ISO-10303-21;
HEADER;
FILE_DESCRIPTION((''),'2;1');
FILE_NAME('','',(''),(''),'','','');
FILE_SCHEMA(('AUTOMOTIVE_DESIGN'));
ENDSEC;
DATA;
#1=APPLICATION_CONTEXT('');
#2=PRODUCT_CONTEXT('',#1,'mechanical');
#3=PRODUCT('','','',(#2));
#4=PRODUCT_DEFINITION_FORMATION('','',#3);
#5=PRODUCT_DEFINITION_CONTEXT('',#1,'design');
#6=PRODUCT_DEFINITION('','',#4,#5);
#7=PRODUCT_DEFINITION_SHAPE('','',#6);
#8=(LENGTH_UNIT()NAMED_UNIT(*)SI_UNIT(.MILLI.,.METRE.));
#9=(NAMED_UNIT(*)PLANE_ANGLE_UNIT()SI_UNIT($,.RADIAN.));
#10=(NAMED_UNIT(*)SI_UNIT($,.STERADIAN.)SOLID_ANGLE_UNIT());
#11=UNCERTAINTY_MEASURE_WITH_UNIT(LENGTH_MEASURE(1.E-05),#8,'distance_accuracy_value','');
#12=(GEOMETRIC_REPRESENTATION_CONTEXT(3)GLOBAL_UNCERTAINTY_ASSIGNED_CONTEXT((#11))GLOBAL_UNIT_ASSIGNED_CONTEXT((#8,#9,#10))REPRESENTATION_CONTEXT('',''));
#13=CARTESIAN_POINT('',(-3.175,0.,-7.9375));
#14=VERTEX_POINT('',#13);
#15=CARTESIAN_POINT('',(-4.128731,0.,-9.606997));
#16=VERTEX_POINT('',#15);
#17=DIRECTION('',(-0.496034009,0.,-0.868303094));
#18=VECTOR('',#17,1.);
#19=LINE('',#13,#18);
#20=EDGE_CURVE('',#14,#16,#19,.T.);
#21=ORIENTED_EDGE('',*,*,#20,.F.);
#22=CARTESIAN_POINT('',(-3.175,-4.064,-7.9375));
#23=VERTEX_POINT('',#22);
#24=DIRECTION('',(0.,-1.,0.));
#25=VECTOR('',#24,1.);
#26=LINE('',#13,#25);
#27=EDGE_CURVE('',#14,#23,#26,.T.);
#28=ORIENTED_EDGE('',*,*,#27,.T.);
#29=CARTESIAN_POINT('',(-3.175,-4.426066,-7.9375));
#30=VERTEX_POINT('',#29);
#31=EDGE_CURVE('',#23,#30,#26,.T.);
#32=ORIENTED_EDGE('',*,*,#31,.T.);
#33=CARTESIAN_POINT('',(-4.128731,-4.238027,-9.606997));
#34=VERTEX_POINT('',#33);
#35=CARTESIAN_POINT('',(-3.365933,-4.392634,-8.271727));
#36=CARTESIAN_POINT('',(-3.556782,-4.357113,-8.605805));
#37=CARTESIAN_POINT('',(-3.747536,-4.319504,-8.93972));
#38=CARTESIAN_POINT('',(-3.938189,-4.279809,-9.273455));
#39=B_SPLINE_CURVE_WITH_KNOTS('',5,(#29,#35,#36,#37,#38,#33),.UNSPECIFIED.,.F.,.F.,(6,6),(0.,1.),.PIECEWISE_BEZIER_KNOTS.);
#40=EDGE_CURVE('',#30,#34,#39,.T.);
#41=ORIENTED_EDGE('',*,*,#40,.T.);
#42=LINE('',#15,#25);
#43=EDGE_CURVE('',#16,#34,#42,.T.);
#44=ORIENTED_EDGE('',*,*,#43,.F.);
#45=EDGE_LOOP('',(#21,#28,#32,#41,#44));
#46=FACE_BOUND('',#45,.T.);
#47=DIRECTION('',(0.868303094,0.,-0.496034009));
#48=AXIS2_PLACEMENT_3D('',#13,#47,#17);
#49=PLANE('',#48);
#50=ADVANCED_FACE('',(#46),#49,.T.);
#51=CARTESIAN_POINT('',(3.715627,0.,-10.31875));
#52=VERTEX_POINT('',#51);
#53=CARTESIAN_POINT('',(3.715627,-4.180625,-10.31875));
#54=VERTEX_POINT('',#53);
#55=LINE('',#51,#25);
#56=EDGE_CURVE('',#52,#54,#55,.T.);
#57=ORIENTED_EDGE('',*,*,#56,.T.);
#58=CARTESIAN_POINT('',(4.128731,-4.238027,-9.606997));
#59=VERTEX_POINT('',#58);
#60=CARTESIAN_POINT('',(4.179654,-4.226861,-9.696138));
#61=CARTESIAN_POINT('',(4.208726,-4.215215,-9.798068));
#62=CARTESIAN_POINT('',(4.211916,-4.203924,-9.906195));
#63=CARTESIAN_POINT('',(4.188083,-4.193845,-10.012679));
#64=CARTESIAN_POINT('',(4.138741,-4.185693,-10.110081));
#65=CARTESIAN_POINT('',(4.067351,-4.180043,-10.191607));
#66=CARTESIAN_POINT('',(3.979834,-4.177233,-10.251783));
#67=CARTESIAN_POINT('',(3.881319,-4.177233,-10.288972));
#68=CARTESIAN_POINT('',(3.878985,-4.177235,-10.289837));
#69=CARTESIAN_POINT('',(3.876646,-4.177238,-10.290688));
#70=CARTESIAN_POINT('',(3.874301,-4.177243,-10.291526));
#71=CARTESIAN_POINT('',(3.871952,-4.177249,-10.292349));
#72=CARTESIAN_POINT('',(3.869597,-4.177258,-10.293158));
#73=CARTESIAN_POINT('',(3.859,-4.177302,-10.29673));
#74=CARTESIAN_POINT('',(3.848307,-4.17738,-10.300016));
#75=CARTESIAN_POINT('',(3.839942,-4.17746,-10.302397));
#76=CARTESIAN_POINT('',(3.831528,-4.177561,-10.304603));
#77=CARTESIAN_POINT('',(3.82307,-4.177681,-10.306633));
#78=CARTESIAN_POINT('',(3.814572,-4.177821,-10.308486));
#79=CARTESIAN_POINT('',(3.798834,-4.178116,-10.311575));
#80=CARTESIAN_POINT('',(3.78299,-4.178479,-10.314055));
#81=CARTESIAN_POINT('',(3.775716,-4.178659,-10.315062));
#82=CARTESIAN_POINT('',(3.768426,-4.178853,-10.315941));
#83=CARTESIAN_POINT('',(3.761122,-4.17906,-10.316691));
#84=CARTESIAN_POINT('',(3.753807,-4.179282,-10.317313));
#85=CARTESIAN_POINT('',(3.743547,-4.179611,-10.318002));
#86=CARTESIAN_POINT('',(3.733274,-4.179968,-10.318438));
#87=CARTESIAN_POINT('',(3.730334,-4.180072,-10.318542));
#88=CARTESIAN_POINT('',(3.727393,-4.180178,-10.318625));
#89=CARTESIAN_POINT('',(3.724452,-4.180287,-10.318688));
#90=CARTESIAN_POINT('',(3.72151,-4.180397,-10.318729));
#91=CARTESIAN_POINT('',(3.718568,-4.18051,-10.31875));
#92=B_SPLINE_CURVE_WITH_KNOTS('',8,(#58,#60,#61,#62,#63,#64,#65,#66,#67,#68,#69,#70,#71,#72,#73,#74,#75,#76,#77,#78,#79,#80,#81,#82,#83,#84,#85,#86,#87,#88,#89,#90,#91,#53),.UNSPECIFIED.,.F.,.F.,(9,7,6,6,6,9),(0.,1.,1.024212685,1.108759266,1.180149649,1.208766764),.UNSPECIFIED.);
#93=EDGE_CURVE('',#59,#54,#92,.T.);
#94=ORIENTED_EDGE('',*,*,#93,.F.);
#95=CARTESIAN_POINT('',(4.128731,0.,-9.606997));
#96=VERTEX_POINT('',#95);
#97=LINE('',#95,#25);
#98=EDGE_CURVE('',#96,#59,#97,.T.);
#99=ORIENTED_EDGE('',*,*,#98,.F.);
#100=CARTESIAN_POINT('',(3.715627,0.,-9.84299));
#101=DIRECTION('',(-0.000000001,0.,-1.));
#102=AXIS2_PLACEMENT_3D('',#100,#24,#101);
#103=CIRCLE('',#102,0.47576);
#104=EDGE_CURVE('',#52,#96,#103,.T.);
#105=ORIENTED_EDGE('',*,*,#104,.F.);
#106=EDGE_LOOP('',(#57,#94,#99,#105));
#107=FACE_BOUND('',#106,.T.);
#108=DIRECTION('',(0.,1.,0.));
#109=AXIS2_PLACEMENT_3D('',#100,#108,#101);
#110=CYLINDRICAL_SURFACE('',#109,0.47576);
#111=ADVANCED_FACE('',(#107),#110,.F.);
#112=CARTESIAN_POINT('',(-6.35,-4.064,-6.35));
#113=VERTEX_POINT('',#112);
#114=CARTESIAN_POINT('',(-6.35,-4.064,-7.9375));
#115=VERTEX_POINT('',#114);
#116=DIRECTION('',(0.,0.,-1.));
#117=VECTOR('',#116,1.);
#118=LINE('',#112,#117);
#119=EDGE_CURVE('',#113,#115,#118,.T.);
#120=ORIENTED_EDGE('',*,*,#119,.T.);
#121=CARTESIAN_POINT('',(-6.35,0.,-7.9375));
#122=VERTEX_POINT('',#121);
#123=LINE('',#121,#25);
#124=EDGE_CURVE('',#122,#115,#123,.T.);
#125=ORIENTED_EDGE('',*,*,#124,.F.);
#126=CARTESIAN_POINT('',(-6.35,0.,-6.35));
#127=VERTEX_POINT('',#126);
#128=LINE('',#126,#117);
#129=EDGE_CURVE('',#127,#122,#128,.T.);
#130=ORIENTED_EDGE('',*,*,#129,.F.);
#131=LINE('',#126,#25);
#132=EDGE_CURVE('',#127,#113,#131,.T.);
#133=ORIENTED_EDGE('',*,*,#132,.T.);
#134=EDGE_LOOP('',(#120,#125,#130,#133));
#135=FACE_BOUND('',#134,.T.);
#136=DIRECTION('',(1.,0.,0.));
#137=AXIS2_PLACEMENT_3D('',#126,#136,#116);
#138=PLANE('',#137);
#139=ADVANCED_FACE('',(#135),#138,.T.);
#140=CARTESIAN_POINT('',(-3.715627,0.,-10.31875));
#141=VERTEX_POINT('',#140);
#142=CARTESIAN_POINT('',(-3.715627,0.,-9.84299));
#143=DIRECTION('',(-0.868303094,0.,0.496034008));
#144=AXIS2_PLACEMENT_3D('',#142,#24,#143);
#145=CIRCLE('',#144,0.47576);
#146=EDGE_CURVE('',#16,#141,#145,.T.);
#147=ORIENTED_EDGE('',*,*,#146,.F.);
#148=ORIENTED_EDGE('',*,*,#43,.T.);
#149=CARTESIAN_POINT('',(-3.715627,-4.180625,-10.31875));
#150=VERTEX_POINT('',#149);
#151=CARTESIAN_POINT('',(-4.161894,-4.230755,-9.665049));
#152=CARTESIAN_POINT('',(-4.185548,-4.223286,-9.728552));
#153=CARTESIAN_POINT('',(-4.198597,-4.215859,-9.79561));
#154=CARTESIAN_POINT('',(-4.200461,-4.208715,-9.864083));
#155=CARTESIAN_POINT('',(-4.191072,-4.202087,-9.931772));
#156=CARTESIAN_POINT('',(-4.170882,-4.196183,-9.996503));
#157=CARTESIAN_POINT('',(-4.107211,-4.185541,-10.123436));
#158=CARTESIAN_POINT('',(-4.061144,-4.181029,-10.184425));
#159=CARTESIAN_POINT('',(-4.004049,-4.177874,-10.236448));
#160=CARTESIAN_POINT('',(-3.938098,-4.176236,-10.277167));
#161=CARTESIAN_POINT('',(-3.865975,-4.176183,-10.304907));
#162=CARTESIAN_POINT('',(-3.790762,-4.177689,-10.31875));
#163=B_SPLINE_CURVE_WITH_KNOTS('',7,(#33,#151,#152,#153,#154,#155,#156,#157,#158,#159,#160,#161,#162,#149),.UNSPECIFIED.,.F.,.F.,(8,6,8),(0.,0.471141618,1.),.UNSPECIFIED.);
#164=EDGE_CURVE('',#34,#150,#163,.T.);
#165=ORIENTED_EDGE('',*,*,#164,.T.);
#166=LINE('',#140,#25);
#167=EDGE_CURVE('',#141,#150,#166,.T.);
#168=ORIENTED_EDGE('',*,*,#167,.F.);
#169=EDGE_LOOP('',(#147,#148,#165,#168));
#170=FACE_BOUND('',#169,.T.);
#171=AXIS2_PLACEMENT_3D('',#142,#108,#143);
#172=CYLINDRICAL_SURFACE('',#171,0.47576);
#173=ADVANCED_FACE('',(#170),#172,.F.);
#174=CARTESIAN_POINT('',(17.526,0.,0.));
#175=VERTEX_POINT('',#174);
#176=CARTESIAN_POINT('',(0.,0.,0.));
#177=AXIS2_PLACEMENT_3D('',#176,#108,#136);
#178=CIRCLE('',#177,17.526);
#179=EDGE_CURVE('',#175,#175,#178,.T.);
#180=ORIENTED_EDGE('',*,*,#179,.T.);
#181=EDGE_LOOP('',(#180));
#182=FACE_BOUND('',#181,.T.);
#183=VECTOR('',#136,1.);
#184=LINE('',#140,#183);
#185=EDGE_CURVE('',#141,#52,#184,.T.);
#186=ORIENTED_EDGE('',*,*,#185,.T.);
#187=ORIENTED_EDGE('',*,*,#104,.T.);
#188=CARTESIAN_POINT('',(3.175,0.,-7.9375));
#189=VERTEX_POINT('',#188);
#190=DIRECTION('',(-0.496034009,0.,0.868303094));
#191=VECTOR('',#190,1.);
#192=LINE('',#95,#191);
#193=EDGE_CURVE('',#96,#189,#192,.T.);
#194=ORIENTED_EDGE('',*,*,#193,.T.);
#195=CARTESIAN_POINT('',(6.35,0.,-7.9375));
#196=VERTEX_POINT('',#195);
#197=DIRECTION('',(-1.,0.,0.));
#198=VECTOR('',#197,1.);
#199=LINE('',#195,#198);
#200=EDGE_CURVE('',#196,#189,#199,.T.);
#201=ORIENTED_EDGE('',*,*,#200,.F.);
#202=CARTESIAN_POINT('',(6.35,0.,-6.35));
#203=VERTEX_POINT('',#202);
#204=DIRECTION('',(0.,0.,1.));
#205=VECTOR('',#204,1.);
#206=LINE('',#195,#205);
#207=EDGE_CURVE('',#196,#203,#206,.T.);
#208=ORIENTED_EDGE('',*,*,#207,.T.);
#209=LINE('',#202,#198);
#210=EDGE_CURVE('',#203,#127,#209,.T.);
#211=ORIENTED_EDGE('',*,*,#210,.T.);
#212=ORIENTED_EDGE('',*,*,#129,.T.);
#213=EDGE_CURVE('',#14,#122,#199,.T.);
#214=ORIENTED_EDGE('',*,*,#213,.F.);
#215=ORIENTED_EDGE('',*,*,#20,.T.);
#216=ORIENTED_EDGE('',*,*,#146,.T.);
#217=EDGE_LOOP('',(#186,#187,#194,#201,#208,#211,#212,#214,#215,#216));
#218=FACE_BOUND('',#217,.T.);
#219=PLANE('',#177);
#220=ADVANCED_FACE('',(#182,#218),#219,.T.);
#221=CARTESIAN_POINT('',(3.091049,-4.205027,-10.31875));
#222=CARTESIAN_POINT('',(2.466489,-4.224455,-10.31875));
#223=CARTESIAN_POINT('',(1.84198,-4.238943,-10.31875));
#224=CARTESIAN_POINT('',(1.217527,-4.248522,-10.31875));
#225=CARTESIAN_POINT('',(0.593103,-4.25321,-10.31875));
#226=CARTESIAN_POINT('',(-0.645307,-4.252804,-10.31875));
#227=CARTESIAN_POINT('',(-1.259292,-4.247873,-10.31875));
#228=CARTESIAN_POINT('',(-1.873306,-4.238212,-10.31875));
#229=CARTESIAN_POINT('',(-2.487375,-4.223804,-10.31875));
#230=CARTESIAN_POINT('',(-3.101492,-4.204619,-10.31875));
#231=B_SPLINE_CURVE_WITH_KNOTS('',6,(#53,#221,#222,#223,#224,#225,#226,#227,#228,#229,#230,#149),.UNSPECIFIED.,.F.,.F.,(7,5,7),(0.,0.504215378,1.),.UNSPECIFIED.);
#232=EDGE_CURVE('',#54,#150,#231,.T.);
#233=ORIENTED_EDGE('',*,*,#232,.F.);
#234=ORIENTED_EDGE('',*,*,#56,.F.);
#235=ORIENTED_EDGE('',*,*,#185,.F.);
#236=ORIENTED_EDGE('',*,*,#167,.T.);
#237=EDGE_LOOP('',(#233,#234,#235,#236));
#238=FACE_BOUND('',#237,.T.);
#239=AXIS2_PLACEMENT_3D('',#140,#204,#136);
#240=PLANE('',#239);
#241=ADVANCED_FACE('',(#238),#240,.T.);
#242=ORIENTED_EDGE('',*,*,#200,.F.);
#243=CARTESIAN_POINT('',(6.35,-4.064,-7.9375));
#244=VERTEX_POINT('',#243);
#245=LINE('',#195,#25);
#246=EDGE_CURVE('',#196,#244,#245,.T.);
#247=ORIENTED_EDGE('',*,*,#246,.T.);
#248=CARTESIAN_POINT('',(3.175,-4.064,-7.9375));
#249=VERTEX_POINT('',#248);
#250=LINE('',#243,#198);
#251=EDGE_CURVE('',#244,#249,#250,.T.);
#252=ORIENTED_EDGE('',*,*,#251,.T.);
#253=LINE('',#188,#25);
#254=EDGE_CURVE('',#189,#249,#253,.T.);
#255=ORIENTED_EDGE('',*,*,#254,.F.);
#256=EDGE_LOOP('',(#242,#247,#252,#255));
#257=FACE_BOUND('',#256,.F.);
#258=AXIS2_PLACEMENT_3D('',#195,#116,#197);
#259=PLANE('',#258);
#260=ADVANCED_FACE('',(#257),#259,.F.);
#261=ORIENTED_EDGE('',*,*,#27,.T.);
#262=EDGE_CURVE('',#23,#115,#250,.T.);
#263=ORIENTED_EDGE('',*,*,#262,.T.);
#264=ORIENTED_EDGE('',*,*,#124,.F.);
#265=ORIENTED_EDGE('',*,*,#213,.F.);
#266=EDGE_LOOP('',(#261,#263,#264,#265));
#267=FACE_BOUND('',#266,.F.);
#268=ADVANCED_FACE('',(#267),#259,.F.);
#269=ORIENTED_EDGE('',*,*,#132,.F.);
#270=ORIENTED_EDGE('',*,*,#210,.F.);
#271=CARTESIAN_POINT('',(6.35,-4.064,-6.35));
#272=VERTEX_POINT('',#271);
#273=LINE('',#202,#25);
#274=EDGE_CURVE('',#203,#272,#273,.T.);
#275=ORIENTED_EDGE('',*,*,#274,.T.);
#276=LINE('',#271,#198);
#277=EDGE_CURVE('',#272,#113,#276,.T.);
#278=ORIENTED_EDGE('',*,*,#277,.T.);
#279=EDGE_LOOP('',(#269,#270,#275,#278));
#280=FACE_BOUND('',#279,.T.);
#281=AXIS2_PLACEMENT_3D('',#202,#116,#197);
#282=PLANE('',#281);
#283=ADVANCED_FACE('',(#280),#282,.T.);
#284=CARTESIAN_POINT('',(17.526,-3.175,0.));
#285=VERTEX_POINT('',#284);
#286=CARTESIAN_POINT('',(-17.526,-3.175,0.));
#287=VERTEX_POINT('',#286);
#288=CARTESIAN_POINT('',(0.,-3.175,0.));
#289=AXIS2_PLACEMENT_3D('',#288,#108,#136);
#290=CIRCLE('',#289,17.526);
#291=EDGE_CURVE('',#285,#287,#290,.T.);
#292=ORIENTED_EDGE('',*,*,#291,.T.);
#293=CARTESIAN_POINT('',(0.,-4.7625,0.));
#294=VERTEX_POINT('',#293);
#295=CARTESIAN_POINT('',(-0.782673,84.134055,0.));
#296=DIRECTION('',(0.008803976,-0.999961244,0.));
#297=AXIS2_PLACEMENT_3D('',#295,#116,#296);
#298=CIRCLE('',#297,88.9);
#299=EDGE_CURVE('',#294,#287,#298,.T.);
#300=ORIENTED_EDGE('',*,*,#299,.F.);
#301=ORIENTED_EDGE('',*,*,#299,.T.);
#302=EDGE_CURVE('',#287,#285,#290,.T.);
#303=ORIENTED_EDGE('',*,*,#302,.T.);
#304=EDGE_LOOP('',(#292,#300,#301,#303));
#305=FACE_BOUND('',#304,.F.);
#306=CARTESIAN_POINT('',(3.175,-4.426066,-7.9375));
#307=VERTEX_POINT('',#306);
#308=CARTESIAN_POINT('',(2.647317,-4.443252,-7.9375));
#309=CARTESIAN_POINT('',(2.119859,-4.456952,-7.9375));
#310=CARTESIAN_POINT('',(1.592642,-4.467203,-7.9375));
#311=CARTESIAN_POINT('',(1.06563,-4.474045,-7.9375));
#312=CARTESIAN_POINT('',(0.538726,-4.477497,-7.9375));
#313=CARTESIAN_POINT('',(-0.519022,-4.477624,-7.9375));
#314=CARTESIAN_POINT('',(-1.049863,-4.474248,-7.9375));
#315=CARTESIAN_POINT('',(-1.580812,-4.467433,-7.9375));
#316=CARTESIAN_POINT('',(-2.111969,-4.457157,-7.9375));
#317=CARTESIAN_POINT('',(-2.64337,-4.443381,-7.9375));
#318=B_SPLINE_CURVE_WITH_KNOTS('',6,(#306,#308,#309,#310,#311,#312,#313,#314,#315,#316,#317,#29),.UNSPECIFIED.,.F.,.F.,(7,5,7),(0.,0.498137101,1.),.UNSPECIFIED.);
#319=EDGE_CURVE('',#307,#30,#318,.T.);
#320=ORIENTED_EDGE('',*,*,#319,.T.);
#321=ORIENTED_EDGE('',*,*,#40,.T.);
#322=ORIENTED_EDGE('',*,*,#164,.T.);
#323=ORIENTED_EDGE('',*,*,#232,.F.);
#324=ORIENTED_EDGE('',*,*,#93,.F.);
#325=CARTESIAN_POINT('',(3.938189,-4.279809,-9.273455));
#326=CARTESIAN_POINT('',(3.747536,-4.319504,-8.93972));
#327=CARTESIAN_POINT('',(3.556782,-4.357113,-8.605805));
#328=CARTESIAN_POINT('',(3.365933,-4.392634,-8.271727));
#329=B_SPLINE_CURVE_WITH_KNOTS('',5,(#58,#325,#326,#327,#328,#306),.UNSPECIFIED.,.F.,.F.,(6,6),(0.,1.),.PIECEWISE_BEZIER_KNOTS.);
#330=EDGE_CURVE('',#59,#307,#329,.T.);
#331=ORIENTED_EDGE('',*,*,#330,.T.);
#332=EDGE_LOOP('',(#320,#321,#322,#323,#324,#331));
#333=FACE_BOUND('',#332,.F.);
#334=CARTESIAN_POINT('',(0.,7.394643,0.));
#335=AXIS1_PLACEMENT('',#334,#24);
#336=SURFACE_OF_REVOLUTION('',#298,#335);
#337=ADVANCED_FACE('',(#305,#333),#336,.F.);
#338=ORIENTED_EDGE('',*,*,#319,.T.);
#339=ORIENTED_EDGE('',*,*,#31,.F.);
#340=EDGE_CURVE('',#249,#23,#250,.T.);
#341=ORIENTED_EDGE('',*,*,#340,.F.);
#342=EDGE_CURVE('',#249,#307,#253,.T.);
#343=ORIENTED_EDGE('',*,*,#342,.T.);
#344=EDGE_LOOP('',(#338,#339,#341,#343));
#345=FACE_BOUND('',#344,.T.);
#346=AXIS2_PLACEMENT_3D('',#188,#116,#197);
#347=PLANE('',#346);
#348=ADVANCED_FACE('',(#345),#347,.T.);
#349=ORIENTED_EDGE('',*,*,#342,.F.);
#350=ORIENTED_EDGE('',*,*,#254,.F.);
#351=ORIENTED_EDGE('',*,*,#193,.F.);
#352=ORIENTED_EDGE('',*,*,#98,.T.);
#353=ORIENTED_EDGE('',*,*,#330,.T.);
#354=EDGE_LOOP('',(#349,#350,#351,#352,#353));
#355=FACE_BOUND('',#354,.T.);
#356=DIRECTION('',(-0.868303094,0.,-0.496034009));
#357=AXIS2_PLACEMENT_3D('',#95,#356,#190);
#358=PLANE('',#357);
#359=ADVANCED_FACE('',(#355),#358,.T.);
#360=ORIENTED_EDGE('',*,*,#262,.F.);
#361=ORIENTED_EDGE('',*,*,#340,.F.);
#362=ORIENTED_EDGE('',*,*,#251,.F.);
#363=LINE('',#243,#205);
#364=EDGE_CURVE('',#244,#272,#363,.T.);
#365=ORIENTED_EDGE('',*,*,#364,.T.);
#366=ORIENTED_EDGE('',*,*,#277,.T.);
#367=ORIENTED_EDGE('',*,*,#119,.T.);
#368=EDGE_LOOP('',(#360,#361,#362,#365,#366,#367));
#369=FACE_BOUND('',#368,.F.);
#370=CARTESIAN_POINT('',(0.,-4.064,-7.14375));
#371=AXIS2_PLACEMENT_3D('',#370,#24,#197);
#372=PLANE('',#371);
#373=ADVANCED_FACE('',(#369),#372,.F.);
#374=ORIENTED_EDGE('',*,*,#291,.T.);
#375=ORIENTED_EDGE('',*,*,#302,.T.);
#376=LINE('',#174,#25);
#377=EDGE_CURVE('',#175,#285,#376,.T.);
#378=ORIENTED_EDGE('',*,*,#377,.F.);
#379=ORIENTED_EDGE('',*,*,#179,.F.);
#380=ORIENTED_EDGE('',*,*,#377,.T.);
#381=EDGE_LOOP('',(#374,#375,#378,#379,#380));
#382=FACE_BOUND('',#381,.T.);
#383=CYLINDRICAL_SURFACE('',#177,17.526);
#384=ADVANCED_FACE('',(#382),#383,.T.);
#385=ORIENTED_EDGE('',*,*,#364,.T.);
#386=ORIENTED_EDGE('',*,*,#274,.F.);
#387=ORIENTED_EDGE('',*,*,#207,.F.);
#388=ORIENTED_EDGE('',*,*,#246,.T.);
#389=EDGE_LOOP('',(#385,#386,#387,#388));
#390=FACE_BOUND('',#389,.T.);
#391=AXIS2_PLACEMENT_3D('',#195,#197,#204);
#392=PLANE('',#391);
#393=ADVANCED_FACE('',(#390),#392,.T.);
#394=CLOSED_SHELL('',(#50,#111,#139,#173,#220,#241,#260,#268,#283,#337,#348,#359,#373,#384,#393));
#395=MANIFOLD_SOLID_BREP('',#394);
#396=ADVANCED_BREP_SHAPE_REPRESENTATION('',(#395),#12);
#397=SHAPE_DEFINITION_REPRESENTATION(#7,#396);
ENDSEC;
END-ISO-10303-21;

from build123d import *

# Parameters (mm, degrees)
SKETCH1_R           = 17.526
BOSS_EXTRUDE1_DEPTH = 3.175
CUT_EXTRUDE2_DEPTH  = 4.572
CUT_EXTRUDE3_DEPTH  = 4.064


with BuildPart() as part:
    # Sketch1 → Boss-Extrude1 (new body)
    with BuildSketch(Plane(origin=(0, 0, 0), x_dir=(1, 0, 0), z_dir=(0, 1, 0))):
        Circle(SKETCH1_R)
    extrude(amount=-BOSS_EXTRUDE1_DEPTH)

    # Sketch2 → Revolve2 (revolve)
    with BuildSketch(Plane.XY):
        with BuildLine():
            Line((-17.526, -3.175), (0, -3.175))
            Line((0, -3.175), (0, -4.7625))
            ThreePointArc((0, -4.7625), (-8.802377367, -4.403476128), (-17.526, -3.175))
        make_face()
    revolve(axis=Axis((0, 7.394642586, 0), (0, -1, 0)))

    # Sketch4 → Cut-Extrude2 (cut)
    with BuildSketch(Plane(origin=(0, 0, 0), x_dir=(1, 0, 0), z_dir=(0, 1, 0))):
        with BuildLine():
            Line((-4.128730565, 9.60699682), (-3.175, 7.9375))
            Line((-3.175, 7.9375), (3.175, 7.9375))
            Line((3.175, 7.9375), (4.128730565, 9.60699682))
            ThreePointArc((4.128730565, 9.60699682), (4.127101881, 10.081811553), (3.715626661, 10.31875))
            Line((3.715626661, 10.31875), (-3.715626661, 10.31875))
            ThreePointArc((-3.715626661, 10.31875), (-4.127101881, 10.081811553), (-4.128730565, 9.60699682))
        make_face()
    extrude(amount=-CUT_EXTRUDE2_DEPTH, mode=Mode.SUBTRACT)

    # Sketch4<4> → Cut-Extrude3 (cut)
    with BuildSketch(Plane(origin=(0, 0, 0), x_dir=(1, 0, 0), z_dir=(0, 1, 0))):
        Polygon((3.175, 7.9375), (-3.175, 7.9375), (-6.35, 7.9375), (-6.35, 6.35), (6.35, 6.35), (6.35, 7.9375), align=None)
    extrude(amount=-CUT_EXTRUDE3_DEPTH, mode=Mode.SUBTRACT)


solid = part.part
